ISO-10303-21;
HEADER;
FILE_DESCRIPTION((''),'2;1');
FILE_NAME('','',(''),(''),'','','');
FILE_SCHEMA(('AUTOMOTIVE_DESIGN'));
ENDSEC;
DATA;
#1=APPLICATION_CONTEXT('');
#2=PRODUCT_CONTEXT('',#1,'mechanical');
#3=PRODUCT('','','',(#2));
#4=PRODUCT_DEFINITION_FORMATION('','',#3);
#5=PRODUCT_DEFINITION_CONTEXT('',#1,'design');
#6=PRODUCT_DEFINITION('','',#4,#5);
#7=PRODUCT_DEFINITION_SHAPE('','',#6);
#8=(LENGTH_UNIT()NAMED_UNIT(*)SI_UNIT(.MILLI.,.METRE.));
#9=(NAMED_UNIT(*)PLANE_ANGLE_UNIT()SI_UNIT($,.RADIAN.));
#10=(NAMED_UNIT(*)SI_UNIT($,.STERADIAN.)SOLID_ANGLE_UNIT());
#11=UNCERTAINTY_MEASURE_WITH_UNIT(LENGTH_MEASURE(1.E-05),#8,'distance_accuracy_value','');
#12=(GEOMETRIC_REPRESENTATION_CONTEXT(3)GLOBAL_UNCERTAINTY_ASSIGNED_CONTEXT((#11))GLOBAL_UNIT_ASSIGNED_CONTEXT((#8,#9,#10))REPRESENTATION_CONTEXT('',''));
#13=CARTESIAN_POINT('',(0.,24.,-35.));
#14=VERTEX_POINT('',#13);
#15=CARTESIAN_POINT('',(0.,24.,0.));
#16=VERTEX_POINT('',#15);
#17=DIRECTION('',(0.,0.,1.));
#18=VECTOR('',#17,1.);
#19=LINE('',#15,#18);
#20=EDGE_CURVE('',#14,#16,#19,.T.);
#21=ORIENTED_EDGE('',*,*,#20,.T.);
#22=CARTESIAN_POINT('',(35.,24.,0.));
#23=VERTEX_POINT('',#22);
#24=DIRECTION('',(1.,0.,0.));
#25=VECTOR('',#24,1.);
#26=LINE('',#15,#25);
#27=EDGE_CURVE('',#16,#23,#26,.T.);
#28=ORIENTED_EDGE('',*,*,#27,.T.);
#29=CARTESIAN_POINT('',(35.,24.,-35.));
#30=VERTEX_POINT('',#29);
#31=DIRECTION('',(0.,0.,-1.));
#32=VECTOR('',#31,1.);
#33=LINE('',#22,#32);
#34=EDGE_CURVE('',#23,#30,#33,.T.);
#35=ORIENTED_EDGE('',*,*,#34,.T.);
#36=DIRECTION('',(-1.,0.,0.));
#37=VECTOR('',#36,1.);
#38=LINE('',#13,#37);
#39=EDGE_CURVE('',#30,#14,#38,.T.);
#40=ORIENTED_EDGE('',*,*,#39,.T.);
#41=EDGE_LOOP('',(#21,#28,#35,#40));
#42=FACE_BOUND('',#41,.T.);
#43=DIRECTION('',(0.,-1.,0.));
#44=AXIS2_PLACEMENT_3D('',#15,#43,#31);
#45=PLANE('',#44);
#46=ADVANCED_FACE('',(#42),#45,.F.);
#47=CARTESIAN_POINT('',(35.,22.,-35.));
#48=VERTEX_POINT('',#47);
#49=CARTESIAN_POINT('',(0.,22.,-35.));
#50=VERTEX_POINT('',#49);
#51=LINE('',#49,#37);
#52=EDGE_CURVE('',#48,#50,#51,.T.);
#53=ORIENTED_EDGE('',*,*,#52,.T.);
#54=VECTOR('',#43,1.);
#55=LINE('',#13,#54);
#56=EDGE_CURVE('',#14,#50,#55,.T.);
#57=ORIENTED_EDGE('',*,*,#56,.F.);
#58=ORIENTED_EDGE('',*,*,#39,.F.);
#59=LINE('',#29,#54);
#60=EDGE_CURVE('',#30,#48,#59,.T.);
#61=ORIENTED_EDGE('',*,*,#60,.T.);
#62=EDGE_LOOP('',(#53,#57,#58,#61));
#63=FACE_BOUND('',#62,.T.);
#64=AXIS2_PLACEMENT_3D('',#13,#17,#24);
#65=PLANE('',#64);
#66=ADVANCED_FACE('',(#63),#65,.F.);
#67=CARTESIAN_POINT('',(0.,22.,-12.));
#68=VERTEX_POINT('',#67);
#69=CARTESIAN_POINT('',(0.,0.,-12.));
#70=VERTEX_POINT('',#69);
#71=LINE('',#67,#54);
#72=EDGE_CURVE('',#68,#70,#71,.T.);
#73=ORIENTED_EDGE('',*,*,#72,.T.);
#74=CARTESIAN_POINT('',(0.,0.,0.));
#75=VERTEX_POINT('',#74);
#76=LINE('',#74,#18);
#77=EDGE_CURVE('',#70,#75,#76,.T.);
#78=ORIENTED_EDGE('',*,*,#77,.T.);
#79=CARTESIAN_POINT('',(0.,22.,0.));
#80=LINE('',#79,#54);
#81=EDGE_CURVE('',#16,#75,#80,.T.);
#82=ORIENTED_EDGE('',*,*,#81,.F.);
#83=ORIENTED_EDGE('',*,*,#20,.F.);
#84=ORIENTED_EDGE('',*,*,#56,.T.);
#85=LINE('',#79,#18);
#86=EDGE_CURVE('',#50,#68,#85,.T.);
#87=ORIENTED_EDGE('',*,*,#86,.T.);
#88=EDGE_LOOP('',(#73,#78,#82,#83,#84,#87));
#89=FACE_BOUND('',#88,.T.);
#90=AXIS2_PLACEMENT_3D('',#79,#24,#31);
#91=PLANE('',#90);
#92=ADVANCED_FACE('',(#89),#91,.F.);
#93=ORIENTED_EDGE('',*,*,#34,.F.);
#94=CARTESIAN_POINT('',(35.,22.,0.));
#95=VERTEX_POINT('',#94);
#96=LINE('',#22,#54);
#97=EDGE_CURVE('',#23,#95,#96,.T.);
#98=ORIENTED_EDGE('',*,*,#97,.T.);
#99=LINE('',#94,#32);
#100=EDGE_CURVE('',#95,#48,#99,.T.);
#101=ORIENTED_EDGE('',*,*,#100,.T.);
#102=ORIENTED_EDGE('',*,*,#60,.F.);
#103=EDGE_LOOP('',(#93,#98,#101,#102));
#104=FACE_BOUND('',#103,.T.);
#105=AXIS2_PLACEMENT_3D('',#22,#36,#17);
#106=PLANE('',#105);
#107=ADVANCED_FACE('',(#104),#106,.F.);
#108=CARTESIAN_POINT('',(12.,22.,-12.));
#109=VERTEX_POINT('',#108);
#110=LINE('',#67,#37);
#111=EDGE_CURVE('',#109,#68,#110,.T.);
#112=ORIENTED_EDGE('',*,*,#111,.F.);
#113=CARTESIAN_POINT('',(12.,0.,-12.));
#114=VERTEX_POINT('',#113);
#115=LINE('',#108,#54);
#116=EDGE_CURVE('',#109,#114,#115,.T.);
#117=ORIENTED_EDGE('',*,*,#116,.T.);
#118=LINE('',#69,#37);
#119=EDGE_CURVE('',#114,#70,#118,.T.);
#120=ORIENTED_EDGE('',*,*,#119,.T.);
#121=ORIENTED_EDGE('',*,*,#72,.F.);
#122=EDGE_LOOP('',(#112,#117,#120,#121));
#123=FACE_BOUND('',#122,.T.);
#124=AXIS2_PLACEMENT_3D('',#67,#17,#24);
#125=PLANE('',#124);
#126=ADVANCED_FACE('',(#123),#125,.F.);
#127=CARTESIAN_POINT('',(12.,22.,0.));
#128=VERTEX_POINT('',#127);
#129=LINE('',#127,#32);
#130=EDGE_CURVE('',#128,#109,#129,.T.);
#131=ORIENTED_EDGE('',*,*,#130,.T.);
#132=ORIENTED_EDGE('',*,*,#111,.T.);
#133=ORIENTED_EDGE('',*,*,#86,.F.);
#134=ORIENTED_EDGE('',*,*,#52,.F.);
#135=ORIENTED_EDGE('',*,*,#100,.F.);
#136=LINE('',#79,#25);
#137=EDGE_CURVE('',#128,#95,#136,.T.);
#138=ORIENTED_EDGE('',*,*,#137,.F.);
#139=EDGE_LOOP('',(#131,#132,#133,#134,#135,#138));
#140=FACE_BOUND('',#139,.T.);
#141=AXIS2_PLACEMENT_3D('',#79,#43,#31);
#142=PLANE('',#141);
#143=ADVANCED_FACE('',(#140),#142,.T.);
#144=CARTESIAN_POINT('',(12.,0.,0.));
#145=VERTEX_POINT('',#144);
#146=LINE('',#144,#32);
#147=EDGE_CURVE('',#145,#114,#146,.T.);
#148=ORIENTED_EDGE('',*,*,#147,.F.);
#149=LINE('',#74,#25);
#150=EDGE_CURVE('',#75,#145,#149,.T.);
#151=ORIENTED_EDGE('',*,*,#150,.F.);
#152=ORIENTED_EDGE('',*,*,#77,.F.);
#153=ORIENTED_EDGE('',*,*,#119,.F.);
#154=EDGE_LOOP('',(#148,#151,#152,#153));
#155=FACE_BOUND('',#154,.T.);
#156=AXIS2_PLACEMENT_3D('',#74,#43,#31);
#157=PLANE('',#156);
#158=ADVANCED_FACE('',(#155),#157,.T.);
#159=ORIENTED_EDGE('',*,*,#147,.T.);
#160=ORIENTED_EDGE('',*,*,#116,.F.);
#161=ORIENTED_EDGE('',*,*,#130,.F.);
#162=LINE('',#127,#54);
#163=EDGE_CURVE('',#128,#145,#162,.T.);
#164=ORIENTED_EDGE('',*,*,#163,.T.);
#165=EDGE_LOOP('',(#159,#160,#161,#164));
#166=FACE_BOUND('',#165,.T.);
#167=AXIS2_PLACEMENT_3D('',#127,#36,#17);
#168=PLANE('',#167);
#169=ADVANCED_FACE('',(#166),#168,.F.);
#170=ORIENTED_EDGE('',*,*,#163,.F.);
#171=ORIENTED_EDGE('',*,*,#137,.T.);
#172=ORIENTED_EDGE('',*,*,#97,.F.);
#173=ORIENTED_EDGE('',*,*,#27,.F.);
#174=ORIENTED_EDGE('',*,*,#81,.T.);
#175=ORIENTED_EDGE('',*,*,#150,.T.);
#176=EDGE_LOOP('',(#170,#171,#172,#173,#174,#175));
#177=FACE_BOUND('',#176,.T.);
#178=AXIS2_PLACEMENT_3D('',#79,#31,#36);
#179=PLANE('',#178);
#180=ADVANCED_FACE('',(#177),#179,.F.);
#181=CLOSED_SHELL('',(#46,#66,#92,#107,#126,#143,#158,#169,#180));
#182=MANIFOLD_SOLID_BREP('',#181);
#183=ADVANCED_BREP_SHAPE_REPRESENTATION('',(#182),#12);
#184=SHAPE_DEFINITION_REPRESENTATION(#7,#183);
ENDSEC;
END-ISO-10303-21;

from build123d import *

# Parameters (mm, degrees)
SKETCH1_W           = 12
SKETCH1_H           = 12
BOSS_EXTRUDE1_DEPTH = 22
SKETCH2_W           = 35
SKETCH2_H           = 35
BOSS_EXTRUDE2_DEPTH = 2


with BuildPart() as part:
    # Sketch1 → Boss-Extrude1 (new body)
    with BuildSketch(Plane(origin=(0, 0, 0), x_dir=(1, 0, 0), z_dir=(0, 1, 0))):
        with Locations((6, 6)):
            Rectangle(SKETCH1_W, SKETCH1_H)
    extrude(amount=BOSS_EXTRUDE1_DEPTH)

    # Sketch2 → Boss-Extrude2 (add)
    with BuildSketch(Plane(origin=(0, 22, 0), x_dir=(1, 0, 0), z_dir=(0, 1, 0))):
        with Locations((17.5, 17.5)):
            Rectangle(SKETCH2_W, SKETCH2_H)
    extrude(amount=BOSS_EXTRUDE2_DEPTH)


solid = part.part
